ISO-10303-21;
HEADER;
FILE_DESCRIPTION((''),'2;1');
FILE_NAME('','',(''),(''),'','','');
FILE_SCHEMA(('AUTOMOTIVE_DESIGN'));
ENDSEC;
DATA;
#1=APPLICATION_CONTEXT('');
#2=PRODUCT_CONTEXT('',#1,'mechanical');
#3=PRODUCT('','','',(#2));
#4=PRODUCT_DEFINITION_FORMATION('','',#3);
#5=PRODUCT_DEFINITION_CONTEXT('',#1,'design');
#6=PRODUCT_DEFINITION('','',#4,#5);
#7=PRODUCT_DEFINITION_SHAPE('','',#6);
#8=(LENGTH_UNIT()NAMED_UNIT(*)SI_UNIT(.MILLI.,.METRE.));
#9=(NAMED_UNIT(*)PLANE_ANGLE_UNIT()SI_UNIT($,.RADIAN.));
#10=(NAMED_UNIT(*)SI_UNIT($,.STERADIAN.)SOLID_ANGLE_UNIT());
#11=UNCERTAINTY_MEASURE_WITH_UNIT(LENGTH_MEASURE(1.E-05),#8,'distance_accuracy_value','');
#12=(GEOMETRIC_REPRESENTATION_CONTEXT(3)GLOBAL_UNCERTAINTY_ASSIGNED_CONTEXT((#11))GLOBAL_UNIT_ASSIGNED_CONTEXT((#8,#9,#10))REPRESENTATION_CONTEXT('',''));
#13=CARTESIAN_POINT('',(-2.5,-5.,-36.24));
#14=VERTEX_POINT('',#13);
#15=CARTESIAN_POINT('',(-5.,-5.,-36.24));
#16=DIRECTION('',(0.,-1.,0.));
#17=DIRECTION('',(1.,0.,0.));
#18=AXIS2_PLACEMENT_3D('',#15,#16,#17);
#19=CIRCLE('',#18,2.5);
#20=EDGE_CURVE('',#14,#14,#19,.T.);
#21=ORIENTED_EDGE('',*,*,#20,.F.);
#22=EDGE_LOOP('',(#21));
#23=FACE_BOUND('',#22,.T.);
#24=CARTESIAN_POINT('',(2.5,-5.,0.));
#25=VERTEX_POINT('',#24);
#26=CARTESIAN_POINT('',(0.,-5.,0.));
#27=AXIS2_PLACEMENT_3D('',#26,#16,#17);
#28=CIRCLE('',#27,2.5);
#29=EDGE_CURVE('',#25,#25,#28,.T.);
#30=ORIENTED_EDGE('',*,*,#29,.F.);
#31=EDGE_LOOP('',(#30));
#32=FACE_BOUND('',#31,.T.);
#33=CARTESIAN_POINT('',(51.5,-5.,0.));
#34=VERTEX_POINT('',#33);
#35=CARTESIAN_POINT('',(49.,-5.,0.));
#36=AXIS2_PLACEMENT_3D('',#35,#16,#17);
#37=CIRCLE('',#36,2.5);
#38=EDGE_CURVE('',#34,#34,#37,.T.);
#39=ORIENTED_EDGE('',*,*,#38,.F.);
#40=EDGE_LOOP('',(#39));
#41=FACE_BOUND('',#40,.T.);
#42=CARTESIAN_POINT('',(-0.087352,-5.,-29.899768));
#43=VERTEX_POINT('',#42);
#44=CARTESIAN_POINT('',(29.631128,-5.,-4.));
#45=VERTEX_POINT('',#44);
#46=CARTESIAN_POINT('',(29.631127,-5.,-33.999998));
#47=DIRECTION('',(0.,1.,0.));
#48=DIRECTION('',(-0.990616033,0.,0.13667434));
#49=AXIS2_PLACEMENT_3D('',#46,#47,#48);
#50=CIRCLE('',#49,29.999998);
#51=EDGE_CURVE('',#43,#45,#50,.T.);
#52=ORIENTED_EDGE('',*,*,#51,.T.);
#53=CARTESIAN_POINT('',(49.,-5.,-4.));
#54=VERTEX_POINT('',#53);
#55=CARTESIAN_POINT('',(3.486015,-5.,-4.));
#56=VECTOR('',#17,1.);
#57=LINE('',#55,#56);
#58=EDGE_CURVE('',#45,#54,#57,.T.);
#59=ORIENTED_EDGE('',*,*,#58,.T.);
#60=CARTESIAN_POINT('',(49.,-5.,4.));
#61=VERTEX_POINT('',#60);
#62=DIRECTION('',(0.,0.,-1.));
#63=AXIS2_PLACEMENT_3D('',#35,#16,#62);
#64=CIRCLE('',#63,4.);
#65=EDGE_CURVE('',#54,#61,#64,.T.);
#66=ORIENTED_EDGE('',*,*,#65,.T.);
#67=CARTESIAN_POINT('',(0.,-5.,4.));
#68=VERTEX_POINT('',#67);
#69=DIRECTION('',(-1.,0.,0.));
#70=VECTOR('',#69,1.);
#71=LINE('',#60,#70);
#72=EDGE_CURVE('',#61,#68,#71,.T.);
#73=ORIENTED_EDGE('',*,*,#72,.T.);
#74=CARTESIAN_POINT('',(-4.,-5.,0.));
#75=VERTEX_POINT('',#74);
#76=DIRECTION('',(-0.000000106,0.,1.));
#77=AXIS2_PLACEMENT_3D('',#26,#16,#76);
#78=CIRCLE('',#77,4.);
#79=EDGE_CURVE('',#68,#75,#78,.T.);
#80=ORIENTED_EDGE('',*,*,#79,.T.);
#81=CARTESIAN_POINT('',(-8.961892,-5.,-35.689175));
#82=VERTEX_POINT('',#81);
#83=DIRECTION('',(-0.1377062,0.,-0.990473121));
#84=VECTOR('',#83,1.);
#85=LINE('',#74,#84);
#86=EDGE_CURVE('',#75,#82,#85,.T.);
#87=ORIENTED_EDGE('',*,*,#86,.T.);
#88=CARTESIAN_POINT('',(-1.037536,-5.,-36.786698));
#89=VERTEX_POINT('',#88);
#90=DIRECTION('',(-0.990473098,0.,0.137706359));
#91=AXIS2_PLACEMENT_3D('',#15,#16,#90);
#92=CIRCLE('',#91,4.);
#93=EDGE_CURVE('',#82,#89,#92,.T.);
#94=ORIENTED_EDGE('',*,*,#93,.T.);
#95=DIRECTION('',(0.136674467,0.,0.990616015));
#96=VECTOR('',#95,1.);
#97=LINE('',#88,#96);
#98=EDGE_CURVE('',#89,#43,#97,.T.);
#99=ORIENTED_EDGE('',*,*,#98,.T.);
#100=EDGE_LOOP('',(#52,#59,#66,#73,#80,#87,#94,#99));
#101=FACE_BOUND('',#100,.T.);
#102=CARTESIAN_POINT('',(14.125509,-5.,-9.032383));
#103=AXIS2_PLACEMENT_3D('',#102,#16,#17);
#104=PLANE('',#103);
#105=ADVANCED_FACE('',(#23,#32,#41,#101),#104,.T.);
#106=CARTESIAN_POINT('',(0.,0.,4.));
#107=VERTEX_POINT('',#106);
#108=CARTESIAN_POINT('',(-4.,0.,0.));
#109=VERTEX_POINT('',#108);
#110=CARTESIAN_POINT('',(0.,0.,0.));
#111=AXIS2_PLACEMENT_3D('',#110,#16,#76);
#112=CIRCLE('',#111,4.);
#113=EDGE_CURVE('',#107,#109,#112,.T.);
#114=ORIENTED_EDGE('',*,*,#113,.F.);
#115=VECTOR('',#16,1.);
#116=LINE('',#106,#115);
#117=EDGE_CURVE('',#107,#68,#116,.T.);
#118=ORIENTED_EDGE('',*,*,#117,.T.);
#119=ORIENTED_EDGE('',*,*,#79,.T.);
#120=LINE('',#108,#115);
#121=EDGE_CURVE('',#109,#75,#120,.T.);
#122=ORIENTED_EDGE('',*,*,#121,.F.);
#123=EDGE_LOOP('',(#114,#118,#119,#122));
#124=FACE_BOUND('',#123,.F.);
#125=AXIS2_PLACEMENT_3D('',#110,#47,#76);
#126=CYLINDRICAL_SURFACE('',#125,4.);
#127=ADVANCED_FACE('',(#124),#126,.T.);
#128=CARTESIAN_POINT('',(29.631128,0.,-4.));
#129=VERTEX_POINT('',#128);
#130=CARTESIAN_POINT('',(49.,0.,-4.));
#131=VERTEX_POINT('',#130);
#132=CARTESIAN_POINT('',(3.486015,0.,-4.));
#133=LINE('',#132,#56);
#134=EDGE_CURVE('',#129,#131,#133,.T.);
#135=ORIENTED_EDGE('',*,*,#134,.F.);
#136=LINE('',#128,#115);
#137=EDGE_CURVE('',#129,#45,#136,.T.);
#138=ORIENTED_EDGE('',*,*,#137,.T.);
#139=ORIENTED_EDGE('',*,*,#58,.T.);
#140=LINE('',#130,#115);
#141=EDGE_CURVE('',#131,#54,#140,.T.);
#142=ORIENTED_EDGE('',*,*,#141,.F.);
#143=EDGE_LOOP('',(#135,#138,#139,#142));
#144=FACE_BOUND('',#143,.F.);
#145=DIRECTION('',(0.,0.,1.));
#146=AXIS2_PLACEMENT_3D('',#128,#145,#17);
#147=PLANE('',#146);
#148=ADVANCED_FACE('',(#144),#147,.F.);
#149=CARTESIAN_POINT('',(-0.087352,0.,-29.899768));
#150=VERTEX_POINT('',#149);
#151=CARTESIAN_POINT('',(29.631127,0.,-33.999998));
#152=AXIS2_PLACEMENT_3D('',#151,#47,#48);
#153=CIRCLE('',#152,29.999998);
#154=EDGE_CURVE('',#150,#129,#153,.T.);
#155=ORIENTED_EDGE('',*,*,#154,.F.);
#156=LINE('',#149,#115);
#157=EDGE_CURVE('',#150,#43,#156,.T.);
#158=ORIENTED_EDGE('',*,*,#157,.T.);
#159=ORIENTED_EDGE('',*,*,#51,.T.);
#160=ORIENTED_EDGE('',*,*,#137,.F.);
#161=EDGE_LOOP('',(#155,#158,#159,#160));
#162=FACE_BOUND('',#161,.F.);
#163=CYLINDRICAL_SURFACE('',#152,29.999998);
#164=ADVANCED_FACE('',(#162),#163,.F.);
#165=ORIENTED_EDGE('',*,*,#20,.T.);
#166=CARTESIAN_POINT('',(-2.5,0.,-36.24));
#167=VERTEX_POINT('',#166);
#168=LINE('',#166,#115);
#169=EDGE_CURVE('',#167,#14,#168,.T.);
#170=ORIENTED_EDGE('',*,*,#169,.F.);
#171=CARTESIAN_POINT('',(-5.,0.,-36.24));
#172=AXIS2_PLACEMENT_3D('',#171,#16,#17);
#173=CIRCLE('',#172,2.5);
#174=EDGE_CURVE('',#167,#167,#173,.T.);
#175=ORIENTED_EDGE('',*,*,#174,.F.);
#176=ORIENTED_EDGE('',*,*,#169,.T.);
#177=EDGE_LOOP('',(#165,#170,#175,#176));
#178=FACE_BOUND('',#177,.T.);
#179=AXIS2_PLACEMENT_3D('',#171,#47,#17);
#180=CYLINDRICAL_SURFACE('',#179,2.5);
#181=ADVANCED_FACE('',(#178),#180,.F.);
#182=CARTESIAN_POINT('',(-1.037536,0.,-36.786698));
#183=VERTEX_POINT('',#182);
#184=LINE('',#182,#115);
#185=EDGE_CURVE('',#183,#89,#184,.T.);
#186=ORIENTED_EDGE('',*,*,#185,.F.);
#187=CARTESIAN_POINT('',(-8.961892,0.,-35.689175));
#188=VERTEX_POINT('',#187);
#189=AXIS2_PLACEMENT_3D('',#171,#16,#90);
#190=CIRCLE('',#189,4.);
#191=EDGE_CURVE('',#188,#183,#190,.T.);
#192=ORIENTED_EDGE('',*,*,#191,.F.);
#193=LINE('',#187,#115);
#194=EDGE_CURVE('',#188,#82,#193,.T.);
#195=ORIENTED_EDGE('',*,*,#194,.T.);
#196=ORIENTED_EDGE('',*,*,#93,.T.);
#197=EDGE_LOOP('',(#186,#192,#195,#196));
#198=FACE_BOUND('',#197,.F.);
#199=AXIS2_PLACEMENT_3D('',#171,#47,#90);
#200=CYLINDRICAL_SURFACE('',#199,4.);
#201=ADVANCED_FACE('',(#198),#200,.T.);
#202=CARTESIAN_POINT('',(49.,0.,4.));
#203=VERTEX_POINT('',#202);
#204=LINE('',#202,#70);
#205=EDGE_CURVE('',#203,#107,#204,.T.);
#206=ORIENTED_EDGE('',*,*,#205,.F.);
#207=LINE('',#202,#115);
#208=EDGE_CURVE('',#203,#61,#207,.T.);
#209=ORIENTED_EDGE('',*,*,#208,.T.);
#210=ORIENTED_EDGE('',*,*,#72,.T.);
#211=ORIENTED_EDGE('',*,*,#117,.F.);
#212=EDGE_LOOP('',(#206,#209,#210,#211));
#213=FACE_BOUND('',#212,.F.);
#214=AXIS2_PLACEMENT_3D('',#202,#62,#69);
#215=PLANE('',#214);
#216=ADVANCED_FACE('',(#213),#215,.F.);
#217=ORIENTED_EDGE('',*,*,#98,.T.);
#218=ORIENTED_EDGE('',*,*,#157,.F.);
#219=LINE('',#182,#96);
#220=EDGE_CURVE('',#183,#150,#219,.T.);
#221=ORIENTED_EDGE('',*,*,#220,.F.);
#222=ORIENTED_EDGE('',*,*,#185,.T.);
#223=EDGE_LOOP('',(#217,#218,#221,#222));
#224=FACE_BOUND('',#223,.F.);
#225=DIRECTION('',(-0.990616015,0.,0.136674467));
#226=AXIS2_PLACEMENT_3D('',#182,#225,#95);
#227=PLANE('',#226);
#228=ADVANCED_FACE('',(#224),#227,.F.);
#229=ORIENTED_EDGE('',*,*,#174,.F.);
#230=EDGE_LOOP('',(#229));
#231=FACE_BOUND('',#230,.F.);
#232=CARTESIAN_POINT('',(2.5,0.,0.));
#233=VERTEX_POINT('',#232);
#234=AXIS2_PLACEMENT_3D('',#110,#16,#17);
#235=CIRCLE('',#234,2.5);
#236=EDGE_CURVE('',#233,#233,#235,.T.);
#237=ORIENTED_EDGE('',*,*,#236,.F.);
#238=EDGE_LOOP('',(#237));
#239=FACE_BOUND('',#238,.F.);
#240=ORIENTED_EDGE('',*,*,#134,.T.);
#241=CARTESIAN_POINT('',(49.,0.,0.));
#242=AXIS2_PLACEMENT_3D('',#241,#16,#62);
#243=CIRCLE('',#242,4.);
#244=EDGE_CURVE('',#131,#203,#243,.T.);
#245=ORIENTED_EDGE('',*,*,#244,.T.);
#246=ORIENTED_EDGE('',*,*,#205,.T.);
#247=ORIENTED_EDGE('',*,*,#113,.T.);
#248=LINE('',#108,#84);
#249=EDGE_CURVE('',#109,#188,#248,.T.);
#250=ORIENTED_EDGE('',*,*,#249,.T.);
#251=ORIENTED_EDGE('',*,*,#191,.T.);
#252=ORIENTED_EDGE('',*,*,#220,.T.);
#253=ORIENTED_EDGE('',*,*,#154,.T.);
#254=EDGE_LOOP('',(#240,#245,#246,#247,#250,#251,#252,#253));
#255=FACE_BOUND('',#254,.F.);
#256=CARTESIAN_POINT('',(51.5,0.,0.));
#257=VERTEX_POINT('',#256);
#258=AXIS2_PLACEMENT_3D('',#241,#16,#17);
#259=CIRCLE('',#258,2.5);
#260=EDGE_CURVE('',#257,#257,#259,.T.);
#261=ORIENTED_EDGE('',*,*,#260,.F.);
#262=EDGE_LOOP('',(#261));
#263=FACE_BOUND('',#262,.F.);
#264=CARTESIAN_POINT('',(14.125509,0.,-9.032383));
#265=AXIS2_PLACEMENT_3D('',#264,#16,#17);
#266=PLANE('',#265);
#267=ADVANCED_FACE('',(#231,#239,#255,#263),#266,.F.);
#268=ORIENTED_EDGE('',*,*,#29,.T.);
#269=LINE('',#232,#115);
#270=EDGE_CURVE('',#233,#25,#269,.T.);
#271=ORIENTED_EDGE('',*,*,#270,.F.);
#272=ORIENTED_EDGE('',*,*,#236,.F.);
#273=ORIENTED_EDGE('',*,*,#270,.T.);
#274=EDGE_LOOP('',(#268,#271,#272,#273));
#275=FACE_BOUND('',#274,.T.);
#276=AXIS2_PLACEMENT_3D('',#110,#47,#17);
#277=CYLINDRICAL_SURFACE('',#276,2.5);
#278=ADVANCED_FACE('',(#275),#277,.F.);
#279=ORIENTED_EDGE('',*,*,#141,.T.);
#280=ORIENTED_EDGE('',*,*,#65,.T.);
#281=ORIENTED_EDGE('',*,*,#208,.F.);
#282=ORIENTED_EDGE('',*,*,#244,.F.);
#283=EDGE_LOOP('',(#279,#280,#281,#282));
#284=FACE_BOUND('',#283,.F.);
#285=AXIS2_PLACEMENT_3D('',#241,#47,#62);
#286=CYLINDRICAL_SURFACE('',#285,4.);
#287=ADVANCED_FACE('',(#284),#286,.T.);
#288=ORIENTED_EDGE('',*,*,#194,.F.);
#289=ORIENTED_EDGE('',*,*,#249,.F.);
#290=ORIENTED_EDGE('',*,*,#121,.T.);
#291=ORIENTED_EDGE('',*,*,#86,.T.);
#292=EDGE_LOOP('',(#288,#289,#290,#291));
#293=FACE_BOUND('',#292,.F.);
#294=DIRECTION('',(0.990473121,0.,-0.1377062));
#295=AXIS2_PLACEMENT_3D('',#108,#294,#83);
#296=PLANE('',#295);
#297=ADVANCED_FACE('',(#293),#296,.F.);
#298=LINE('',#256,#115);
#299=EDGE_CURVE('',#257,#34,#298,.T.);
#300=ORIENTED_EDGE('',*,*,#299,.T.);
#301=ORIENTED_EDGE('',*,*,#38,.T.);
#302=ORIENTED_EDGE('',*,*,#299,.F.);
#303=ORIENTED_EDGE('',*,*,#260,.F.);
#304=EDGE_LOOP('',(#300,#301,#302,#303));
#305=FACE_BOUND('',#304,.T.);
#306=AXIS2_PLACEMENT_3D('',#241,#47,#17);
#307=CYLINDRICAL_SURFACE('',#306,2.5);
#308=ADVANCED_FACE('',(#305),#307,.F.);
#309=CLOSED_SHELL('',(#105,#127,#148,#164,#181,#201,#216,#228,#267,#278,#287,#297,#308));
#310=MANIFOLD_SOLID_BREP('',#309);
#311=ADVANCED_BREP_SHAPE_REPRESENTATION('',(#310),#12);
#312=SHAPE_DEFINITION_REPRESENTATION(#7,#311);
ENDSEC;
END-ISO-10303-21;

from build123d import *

# Parameters (mm, degrees)
F0_R     = 2.5
F1_DEPTH = 5


with BuildPart() as f1:
    # F0 (on Front) → F1 (new body)
    with BuildSketch(Plane.XZ):
        with BuildLine():
            Line((49, 4), (0, 4))
            ThreePointArc((0, 4), (-2.828427, 2.828427), (-4, 0))
            Line((-4, 0), (-8.961892, -35.689175))
            ThreePointArc((-8.961892, -35.689175), (-5.548761, -40.202179), (-1.037536, -36.786698))
            Line((-1.037536, -36.786698), (-0.087352, -29.899768))
            Line((-0.087352, -29.899768), (3.486015, -4))
            Line((3.486015, -4), (29.631128, -4))
            Line((29.631128, -4), (49, -4))
            ThreePointArc((49, -4), (53, 0), (49, 4))
        make_face()
        with Locations((-5, -36.24)):
            Circle(F0_R, mode=Mode.SUBTRACT)
        Circle(F0_R, mode=Mode.SUBTRACT)
        with Locations((49, 0)):
            Circle(F0_R, mode=Mode.SUBTRACT)
        with BuildLine():
            ThreePointArc((-0.087352, -29.899768), (9.920813, -11.383557), (29.631128, -4))
            Line((29.631128, -4), (3.486015, -4))
            Line((3.486015, -4), (-0.087352, -29.899768))
        make_face()
    extrude(amount=F1_DEPTH)


solid = f1.part
